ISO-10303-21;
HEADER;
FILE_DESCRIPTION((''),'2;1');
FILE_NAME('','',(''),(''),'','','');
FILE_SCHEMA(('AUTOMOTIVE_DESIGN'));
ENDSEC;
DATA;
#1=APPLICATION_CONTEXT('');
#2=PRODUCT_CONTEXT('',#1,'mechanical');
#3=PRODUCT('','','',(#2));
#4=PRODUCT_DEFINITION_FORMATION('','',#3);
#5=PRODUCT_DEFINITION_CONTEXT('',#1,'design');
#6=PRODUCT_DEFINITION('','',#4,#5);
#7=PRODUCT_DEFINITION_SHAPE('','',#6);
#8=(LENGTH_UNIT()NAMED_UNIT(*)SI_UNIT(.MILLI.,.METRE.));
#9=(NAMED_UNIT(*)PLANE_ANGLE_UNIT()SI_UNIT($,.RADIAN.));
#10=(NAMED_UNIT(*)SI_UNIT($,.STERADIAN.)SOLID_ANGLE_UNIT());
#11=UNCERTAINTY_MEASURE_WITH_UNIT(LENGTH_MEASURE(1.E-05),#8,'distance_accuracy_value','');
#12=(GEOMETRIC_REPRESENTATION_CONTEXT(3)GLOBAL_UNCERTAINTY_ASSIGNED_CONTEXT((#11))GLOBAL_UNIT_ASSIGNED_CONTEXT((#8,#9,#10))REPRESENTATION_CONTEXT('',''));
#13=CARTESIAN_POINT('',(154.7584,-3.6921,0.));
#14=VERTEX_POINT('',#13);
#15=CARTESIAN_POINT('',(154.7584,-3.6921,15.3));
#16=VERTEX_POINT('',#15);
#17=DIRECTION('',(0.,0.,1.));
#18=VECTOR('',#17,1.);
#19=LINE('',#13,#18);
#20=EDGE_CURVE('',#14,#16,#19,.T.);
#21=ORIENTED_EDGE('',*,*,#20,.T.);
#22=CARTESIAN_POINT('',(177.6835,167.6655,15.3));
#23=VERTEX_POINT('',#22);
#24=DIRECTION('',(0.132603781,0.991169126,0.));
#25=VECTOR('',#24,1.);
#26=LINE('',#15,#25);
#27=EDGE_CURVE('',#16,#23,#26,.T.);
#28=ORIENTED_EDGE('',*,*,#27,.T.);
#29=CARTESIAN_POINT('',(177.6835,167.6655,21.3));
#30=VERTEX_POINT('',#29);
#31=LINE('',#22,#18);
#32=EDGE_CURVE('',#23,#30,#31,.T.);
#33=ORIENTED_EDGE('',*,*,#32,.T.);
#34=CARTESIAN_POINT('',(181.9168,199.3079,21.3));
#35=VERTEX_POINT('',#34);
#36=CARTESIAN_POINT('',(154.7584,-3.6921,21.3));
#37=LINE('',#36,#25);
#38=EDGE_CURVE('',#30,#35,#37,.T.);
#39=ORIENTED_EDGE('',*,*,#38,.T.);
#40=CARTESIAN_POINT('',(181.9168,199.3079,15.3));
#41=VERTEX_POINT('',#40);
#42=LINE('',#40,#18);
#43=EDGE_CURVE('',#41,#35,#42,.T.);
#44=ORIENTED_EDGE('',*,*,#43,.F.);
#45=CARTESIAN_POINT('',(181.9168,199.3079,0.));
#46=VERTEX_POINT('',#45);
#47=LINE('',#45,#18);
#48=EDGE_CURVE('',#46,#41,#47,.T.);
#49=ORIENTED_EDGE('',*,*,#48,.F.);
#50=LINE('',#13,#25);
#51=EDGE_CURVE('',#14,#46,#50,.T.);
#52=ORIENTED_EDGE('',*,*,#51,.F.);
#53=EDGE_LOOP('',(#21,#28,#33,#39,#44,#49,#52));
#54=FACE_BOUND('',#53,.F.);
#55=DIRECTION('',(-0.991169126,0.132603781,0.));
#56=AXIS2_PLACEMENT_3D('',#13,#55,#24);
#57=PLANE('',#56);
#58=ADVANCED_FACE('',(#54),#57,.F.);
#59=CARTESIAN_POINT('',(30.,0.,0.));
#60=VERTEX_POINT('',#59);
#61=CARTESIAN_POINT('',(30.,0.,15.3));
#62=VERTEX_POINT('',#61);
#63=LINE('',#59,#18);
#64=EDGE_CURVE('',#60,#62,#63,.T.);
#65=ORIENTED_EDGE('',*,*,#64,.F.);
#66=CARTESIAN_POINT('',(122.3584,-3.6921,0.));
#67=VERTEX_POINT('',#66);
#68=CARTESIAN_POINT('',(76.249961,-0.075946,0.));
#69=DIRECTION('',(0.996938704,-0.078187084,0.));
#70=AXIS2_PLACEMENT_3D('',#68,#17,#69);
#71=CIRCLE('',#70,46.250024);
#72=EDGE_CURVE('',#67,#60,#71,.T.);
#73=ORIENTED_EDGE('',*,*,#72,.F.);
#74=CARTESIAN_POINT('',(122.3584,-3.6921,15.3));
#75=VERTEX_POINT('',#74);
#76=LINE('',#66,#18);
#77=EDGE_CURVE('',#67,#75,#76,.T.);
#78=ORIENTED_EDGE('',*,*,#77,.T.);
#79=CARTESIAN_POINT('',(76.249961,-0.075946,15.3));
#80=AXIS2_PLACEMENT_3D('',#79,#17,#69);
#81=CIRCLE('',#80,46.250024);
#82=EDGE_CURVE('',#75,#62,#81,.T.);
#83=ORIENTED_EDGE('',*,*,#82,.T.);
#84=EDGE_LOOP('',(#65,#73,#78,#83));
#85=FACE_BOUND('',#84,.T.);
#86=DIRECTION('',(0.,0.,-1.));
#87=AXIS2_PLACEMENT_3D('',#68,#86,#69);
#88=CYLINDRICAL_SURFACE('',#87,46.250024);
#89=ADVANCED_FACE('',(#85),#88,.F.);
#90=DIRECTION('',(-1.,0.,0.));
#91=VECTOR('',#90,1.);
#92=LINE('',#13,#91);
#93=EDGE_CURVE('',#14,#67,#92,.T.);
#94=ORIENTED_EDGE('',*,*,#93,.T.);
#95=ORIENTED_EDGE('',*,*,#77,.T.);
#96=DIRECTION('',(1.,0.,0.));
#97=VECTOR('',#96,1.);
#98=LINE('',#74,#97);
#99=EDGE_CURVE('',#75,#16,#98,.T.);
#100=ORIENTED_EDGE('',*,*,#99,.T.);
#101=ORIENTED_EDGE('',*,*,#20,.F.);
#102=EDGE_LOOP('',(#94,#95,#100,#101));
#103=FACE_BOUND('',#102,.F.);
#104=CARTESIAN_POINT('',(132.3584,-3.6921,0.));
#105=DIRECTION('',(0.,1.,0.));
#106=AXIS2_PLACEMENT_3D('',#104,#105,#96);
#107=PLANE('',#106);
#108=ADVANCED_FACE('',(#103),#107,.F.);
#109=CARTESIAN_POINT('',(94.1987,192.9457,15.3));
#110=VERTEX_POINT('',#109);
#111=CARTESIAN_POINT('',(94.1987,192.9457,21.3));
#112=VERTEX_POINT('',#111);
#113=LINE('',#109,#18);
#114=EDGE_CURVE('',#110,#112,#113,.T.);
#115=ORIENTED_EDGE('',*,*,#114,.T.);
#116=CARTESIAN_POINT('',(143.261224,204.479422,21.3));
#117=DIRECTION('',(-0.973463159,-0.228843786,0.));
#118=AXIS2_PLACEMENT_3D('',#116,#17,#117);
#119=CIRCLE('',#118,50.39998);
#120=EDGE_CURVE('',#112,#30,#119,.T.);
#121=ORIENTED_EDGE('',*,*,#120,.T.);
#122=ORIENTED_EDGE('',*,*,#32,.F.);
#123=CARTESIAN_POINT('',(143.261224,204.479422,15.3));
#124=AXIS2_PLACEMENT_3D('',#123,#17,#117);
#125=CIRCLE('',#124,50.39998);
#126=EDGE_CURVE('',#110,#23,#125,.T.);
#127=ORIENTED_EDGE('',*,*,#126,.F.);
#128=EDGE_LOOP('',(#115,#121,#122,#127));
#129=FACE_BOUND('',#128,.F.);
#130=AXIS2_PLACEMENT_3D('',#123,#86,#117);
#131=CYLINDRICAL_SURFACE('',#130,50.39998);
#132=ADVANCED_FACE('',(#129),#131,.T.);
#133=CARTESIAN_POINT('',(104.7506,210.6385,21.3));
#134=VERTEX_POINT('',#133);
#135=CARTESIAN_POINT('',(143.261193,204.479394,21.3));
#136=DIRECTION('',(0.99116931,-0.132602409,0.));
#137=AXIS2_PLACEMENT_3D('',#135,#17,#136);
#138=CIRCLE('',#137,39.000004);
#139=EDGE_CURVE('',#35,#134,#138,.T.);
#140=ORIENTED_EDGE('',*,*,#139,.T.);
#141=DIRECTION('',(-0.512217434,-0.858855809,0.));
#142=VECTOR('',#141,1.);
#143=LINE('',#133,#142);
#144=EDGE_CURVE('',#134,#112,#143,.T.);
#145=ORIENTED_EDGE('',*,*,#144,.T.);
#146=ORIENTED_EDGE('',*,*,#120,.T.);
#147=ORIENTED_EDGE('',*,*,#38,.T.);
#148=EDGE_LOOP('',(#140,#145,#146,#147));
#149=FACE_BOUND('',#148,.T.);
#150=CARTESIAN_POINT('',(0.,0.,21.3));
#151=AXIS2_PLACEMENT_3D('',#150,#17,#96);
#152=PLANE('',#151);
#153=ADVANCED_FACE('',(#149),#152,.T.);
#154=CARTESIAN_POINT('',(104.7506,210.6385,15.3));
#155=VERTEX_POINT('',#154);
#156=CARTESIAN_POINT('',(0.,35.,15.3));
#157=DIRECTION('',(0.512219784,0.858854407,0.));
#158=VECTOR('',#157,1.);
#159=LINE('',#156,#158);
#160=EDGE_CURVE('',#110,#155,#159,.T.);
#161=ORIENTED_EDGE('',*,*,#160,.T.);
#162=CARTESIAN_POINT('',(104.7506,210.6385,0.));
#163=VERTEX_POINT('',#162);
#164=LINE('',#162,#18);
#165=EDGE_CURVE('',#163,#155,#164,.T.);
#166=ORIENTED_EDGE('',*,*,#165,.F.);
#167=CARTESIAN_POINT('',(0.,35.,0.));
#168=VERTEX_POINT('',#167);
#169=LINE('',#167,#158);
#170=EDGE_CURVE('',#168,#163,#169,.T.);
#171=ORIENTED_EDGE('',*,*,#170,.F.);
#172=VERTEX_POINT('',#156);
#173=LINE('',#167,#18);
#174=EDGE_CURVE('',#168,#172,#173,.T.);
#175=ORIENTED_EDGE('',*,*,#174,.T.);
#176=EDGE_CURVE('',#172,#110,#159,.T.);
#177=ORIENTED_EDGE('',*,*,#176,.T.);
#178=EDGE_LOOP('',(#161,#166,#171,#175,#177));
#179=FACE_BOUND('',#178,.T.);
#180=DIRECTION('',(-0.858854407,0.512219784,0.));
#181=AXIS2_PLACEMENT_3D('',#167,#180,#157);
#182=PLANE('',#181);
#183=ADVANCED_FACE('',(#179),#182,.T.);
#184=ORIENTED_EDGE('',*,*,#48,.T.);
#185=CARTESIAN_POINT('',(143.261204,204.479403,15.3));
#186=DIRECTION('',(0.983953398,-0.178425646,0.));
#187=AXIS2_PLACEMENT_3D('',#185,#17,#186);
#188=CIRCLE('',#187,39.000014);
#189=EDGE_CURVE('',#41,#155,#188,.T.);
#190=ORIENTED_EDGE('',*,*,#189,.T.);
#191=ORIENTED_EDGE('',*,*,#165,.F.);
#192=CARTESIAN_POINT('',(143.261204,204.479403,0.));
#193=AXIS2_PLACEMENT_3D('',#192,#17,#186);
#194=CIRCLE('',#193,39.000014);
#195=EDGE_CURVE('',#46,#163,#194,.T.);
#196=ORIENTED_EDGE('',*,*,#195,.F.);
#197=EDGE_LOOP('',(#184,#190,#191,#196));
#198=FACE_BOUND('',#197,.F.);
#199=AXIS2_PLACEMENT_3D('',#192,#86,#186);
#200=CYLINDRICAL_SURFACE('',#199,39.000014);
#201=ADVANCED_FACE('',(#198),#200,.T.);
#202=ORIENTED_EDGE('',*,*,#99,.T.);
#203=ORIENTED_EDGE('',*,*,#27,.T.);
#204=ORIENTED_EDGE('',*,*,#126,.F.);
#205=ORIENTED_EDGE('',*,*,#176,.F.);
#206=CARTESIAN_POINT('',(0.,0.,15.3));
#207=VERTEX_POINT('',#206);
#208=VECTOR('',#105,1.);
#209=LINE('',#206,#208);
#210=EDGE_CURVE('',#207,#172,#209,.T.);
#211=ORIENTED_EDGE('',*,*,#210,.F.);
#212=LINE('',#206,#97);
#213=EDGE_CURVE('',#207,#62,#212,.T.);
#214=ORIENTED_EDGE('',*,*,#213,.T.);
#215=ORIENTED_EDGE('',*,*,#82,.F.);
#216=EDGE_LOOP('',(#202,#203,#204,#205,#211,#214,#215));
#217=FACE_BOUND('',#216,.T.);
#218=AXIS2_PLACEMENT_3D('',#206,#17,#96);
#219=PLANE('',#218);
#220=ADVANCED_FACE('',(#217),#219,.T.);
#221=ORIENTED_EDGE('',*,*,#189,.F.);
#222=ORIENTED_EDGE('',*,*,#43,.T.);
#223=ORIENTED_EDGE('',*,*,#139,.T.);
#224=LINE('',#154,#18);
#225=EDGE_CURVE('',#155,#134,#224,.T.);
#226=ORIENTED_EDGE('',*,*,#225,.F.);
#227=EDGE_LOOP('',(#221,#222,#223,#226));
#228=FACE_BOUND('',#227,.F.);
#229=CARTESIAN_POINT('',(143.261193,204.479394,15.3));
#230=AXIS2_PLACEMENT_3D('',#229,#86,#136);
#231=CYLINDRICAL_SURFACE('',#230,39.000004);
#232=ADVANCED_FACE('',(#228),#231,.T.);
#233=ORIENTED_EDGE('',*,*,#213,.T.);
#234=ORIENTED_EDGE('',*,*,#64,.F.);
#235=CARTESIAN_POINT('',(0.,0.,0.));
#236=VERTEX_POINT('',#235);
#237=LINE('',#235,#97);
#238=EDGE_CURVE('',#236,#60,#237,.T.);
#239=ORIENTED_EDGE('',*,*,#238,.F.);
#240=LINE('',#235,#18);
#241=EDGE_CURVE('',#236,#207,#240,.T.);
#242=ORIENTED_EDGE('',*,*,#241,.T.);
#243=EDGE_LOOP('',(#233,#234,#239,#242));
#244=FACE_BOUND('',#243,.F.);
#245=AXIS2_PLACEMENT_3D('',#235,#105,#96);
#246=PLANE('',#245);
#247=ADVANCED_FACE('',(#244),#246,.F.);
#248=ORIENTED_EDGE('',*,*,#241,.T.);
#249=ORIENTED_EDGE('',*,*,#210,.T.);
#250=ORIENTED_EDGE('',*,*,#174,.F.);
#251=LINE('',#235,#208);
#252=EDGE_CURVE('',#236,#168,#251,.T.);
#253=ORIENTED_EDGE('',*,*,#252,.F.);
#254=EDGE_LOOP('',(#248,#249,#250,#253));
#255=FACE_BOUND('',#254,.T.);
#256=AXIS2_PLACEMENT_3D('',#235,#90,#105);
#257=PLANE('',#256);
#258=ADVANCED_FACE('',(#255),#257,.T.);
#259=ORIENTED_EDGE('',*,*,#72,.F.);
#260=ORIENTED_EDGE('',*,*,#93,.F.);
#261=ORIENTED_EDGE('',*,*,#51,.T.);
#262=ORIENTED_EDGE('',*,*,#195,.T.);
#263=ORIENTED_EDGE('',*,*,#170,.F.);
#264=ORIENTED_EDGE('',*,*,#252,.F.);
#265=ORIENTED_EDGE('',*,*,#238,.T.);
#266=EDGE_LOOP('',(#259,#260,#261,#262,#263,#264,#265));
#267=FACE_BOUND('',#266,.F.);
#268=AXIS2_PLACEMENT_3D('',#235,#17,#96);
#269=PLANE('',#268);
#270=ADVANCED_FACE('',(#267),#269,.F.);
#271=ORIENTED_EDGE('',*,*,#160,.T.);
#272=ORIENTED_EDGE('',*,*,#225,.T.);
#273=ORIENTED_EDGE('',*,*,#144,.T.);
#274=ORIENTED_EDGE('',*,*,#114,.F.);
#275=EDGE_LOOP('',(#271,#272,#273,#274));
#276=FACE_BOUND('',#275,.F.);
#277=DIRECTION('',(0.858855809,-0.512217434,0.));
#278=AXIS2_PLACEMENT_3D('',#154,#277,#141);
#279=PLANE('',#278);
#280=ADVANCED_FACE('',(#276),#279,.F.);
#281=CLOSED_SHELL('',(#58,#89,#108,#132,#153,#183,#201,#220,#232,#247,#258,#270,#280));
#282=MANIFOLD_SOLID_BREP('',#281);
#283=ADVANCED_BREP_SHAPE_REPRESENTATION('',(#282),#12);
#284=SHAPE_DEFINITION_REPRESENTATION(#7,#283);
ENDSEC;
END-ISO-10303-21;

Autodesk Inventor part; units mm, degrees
ref_plane "YZ Plane" through (0, 0, 0) normal (1, 0, 0) x (0, 1, 0)
ref_plane "XZ Plane" through (0, 0, 0) normal (0, 1, 0) x (-1, 0, 0)
ref_plane "XY Plane" through (0, 0, 0) normal (0, 0, 1) x (1, 0, 0)
sketch "Sketch1" plane through (0, 0, 0) normal (0, 0, 1) x (1, 0, 0)
  line L0 (0, 0) -> (30, 0)
  arc A0 (122.3584, -3.6921) -> (30, 0) centre (76.2499, -0.076) ccw
  line L1 (122.3584, -3.6921) -> (154.7584, -3.6921)
  line L2 (154.7584, -3.6921) -> (357.7584, -3.6921) construction
  line L3 (0, 0) -> (0, 35)
  arc A1 (181.6354, 197.5208) -> (104.7506, 210.6385) centre (143.2612, 204.4794) ccw
  line L4 (122.3584, -3.6921) -> (132.3584, -3.6921)
  line L5 (0, 35) -> (104.7506, 210.6385)
  line L6 (154.7584, -3.6921) -> (181.9168, 199.3079)
  dimension "d0" = 30
  dimension "d1" = 92.5
  dimension "d2" = 32.4
  dimension "d3" = 203
  dimension "d5" = 35
  dimension "d7" = 10
  dimension "d9" = 78
  dimension "d10" = 203
sketch "Sketch2" plane through (0, 0, 0) normal (0, 0, 1) x (1, 0, 0)
  point P0 (0, 0)
extrude "Extrusion1" add sketch "Sketch1" along normal blind 15.3
sketch "Sketch3" plane through (0, 0, 15.3) normal (0, 0, 1) x (1, 0, 0)
  line L0 (154.7584, -3.6921) -> (181.9168, 199.3079) projected
  arc A0 (94.1987, 192.9457) -> (177.6835, 167.6655) centre (143.2612, 204.4794) ccw
  arc A1 (181.9168, 199.3079) -> (104.7506, 210.6385) centre (143.2612, 204.4794) ccw projected
  line L1 (104.7506, 210.6385) -> (94.1987, 192.9457)
  line L2 (104.7506, 210.6385) -> (0, 35) projected
  line L3 (181.9168, 199.3079) -> (177.6835, 167.6655)
  arc A2 (181.9168, 199.3079) -> (104.7506, 210.6385) centre (143.2612, 204.4794) ccw
  point P0 (0, 0)
  dimension "d19" = 100.8
extrude "Extrusion2" add sketch "Sketch3" along normal blind 6
properties part number "volante conjunto"
